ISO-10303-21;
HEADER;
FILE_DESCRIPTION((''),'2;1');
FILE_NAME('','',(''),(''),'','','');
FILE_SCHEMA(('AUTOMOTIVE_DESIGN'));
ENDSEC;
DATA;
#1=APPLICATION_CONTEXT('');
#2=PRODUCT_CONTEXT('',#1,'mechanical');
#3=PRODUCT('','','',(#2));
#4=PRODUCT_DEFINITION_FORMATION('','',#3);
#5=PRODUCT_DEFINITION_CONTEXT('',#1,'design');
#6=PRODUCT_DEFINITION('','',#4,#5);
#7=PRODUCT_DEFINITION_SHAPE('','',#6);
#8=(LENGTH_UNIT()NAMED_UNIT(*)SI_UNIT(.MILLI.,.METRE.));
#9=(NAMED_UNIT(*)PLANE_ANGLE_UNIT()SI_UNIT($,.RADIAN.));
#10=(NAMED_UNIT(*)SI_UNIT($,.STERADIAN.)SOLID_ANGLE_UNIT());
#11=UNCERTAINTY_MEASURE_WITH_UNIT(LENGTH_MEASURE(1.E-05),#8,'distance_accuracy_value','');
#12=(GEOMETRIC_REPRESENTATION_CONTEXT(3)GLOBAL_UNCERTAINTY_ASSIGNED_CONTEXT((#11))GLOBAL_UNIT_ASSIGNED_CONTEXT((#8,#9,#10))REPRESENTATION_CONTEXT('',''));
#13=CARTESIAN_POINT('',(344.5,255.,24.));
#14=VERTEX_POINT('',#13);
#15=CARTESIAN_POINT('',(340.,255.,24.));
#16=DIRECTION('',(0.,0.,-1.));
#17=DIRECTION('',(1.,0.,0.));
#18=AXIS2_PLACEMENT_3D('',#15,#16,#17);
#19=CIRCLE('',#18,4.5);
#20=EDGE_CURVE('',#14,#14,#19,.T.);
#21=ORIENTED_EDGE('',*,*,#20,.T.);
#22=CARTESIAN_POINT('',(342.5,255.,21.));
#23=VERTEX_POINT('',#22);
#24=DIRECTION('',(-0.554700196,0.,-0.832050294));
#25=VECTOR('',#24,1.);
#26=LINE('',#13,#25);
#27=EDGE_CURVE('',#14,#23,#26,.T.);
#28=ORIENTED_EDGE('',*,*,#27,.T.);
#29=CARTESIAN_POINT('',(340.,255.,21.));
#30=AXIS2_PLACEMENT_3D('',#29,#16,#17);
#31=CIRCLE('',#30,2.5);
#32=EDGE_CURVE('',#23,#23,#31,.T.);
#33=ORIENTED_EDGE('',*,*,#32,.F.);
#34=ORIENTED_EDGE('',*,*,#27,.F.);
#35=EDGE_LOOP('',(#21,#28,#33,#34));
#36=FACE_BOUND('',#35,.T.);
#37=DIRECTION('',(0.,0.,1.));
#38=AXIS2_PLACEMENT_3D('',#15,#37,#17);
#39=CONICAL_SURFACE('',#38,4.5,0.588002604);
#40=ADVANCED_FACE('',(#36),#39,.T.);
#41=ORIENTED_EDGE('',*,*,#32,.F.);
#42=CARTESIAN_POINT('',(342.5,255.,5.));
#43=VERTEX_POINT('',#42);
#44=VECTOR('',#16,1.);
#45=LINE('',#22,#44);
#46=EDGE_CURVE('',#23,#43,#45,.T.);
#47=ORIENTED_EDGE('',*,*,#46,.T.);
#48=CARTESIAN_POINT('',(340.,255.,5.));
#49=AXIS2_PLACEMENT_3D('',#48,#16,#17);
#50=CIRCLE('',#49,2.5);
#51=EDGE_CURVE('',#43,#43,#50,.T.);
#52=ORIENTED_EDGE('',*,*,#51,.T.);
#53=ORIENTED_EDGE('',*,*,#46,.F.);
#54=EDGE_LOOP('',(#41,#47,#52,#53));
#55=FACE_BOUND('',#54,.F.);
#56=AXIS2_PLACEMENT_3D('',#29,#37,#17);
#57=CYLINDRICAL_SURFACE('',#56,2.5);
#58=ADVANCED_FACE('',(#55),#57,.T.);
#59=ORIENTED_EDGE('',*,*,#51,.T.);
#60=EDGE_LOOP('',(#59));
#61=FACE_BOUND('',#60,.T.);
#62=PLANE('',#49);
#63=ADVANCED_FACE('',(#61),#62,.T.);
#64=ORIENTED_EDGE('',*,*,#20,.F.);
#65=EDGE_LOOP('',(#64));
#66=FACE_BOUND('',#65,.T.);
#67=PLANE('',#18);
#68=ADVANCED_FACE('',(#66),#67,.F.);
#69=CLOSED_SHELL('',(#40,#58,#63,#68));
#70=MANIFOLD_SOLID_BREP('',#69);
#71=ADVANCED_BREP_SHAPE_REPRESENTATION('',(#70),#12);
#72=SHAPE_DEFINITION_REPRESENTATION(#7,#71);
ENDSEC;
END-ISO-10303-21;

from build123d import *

# Parameters (mm, degrees)
CYLINDER011_R                   = 2.5
CYLINDER011_DEPTH               = 16
FUSION001018017_PLACEMENT_ANGLE = 180
CLONE023_PLACEMENT_ANGLE        = 180


with BuildPart() as cone003:
    # Cone003 → Cone003 (revolve)
    with BuildSketch(Plane(origin=(0, 0, -3), x_dir=(1, 0, 0), z_dir=(0, -1, 0))):
        Polygon((0, 0), (4.5, 0), (2.5, 3), (0, 3), align=None)
    revolve(axis=Axis((0, 0, -3), (0, 0, 1)))


with BuildPart() as m5x16_senkkopf015:
    # Cylinder011 → Cylinder011 (new body)
    with BuildSketch(Plane.XY):
        Circle(CYLINDER011_R)
    extrude(amount=CYLINDER011_DEPTH)

    # Fusion001018017: union Cone003
    add(cone003.part)


with BuildPart() as m5x16_senkkopf015_1:
    # Fusion001018017 placement: moved
    add(m5x16_senkkopf015.part.moved(Location((45, 15, 21))).rotate(Axis((45, 15, 21), (0, 1, 0)), FUSION001018017_PLACEMENT_ANGLE))


with BuildPart() as m5x16_senkkopf015_2:
    # Clone023 placement: moved
    add(m5x16_senkkopf015_1.part.moved(Location((115, 270, 0))).rotate(Axis((115, 270, 0), (0, 0, 1)), CLONE023_PLACEMENT_ANGLE))


with BuildPart() as m5x16_senkkopf015_3:
    # Clone031 placement: moved
    add(m5x16_senkkopf015_2.part.moved(Location((270, 0, 0))))


solid = m5x16_senkkopf015_3.part
